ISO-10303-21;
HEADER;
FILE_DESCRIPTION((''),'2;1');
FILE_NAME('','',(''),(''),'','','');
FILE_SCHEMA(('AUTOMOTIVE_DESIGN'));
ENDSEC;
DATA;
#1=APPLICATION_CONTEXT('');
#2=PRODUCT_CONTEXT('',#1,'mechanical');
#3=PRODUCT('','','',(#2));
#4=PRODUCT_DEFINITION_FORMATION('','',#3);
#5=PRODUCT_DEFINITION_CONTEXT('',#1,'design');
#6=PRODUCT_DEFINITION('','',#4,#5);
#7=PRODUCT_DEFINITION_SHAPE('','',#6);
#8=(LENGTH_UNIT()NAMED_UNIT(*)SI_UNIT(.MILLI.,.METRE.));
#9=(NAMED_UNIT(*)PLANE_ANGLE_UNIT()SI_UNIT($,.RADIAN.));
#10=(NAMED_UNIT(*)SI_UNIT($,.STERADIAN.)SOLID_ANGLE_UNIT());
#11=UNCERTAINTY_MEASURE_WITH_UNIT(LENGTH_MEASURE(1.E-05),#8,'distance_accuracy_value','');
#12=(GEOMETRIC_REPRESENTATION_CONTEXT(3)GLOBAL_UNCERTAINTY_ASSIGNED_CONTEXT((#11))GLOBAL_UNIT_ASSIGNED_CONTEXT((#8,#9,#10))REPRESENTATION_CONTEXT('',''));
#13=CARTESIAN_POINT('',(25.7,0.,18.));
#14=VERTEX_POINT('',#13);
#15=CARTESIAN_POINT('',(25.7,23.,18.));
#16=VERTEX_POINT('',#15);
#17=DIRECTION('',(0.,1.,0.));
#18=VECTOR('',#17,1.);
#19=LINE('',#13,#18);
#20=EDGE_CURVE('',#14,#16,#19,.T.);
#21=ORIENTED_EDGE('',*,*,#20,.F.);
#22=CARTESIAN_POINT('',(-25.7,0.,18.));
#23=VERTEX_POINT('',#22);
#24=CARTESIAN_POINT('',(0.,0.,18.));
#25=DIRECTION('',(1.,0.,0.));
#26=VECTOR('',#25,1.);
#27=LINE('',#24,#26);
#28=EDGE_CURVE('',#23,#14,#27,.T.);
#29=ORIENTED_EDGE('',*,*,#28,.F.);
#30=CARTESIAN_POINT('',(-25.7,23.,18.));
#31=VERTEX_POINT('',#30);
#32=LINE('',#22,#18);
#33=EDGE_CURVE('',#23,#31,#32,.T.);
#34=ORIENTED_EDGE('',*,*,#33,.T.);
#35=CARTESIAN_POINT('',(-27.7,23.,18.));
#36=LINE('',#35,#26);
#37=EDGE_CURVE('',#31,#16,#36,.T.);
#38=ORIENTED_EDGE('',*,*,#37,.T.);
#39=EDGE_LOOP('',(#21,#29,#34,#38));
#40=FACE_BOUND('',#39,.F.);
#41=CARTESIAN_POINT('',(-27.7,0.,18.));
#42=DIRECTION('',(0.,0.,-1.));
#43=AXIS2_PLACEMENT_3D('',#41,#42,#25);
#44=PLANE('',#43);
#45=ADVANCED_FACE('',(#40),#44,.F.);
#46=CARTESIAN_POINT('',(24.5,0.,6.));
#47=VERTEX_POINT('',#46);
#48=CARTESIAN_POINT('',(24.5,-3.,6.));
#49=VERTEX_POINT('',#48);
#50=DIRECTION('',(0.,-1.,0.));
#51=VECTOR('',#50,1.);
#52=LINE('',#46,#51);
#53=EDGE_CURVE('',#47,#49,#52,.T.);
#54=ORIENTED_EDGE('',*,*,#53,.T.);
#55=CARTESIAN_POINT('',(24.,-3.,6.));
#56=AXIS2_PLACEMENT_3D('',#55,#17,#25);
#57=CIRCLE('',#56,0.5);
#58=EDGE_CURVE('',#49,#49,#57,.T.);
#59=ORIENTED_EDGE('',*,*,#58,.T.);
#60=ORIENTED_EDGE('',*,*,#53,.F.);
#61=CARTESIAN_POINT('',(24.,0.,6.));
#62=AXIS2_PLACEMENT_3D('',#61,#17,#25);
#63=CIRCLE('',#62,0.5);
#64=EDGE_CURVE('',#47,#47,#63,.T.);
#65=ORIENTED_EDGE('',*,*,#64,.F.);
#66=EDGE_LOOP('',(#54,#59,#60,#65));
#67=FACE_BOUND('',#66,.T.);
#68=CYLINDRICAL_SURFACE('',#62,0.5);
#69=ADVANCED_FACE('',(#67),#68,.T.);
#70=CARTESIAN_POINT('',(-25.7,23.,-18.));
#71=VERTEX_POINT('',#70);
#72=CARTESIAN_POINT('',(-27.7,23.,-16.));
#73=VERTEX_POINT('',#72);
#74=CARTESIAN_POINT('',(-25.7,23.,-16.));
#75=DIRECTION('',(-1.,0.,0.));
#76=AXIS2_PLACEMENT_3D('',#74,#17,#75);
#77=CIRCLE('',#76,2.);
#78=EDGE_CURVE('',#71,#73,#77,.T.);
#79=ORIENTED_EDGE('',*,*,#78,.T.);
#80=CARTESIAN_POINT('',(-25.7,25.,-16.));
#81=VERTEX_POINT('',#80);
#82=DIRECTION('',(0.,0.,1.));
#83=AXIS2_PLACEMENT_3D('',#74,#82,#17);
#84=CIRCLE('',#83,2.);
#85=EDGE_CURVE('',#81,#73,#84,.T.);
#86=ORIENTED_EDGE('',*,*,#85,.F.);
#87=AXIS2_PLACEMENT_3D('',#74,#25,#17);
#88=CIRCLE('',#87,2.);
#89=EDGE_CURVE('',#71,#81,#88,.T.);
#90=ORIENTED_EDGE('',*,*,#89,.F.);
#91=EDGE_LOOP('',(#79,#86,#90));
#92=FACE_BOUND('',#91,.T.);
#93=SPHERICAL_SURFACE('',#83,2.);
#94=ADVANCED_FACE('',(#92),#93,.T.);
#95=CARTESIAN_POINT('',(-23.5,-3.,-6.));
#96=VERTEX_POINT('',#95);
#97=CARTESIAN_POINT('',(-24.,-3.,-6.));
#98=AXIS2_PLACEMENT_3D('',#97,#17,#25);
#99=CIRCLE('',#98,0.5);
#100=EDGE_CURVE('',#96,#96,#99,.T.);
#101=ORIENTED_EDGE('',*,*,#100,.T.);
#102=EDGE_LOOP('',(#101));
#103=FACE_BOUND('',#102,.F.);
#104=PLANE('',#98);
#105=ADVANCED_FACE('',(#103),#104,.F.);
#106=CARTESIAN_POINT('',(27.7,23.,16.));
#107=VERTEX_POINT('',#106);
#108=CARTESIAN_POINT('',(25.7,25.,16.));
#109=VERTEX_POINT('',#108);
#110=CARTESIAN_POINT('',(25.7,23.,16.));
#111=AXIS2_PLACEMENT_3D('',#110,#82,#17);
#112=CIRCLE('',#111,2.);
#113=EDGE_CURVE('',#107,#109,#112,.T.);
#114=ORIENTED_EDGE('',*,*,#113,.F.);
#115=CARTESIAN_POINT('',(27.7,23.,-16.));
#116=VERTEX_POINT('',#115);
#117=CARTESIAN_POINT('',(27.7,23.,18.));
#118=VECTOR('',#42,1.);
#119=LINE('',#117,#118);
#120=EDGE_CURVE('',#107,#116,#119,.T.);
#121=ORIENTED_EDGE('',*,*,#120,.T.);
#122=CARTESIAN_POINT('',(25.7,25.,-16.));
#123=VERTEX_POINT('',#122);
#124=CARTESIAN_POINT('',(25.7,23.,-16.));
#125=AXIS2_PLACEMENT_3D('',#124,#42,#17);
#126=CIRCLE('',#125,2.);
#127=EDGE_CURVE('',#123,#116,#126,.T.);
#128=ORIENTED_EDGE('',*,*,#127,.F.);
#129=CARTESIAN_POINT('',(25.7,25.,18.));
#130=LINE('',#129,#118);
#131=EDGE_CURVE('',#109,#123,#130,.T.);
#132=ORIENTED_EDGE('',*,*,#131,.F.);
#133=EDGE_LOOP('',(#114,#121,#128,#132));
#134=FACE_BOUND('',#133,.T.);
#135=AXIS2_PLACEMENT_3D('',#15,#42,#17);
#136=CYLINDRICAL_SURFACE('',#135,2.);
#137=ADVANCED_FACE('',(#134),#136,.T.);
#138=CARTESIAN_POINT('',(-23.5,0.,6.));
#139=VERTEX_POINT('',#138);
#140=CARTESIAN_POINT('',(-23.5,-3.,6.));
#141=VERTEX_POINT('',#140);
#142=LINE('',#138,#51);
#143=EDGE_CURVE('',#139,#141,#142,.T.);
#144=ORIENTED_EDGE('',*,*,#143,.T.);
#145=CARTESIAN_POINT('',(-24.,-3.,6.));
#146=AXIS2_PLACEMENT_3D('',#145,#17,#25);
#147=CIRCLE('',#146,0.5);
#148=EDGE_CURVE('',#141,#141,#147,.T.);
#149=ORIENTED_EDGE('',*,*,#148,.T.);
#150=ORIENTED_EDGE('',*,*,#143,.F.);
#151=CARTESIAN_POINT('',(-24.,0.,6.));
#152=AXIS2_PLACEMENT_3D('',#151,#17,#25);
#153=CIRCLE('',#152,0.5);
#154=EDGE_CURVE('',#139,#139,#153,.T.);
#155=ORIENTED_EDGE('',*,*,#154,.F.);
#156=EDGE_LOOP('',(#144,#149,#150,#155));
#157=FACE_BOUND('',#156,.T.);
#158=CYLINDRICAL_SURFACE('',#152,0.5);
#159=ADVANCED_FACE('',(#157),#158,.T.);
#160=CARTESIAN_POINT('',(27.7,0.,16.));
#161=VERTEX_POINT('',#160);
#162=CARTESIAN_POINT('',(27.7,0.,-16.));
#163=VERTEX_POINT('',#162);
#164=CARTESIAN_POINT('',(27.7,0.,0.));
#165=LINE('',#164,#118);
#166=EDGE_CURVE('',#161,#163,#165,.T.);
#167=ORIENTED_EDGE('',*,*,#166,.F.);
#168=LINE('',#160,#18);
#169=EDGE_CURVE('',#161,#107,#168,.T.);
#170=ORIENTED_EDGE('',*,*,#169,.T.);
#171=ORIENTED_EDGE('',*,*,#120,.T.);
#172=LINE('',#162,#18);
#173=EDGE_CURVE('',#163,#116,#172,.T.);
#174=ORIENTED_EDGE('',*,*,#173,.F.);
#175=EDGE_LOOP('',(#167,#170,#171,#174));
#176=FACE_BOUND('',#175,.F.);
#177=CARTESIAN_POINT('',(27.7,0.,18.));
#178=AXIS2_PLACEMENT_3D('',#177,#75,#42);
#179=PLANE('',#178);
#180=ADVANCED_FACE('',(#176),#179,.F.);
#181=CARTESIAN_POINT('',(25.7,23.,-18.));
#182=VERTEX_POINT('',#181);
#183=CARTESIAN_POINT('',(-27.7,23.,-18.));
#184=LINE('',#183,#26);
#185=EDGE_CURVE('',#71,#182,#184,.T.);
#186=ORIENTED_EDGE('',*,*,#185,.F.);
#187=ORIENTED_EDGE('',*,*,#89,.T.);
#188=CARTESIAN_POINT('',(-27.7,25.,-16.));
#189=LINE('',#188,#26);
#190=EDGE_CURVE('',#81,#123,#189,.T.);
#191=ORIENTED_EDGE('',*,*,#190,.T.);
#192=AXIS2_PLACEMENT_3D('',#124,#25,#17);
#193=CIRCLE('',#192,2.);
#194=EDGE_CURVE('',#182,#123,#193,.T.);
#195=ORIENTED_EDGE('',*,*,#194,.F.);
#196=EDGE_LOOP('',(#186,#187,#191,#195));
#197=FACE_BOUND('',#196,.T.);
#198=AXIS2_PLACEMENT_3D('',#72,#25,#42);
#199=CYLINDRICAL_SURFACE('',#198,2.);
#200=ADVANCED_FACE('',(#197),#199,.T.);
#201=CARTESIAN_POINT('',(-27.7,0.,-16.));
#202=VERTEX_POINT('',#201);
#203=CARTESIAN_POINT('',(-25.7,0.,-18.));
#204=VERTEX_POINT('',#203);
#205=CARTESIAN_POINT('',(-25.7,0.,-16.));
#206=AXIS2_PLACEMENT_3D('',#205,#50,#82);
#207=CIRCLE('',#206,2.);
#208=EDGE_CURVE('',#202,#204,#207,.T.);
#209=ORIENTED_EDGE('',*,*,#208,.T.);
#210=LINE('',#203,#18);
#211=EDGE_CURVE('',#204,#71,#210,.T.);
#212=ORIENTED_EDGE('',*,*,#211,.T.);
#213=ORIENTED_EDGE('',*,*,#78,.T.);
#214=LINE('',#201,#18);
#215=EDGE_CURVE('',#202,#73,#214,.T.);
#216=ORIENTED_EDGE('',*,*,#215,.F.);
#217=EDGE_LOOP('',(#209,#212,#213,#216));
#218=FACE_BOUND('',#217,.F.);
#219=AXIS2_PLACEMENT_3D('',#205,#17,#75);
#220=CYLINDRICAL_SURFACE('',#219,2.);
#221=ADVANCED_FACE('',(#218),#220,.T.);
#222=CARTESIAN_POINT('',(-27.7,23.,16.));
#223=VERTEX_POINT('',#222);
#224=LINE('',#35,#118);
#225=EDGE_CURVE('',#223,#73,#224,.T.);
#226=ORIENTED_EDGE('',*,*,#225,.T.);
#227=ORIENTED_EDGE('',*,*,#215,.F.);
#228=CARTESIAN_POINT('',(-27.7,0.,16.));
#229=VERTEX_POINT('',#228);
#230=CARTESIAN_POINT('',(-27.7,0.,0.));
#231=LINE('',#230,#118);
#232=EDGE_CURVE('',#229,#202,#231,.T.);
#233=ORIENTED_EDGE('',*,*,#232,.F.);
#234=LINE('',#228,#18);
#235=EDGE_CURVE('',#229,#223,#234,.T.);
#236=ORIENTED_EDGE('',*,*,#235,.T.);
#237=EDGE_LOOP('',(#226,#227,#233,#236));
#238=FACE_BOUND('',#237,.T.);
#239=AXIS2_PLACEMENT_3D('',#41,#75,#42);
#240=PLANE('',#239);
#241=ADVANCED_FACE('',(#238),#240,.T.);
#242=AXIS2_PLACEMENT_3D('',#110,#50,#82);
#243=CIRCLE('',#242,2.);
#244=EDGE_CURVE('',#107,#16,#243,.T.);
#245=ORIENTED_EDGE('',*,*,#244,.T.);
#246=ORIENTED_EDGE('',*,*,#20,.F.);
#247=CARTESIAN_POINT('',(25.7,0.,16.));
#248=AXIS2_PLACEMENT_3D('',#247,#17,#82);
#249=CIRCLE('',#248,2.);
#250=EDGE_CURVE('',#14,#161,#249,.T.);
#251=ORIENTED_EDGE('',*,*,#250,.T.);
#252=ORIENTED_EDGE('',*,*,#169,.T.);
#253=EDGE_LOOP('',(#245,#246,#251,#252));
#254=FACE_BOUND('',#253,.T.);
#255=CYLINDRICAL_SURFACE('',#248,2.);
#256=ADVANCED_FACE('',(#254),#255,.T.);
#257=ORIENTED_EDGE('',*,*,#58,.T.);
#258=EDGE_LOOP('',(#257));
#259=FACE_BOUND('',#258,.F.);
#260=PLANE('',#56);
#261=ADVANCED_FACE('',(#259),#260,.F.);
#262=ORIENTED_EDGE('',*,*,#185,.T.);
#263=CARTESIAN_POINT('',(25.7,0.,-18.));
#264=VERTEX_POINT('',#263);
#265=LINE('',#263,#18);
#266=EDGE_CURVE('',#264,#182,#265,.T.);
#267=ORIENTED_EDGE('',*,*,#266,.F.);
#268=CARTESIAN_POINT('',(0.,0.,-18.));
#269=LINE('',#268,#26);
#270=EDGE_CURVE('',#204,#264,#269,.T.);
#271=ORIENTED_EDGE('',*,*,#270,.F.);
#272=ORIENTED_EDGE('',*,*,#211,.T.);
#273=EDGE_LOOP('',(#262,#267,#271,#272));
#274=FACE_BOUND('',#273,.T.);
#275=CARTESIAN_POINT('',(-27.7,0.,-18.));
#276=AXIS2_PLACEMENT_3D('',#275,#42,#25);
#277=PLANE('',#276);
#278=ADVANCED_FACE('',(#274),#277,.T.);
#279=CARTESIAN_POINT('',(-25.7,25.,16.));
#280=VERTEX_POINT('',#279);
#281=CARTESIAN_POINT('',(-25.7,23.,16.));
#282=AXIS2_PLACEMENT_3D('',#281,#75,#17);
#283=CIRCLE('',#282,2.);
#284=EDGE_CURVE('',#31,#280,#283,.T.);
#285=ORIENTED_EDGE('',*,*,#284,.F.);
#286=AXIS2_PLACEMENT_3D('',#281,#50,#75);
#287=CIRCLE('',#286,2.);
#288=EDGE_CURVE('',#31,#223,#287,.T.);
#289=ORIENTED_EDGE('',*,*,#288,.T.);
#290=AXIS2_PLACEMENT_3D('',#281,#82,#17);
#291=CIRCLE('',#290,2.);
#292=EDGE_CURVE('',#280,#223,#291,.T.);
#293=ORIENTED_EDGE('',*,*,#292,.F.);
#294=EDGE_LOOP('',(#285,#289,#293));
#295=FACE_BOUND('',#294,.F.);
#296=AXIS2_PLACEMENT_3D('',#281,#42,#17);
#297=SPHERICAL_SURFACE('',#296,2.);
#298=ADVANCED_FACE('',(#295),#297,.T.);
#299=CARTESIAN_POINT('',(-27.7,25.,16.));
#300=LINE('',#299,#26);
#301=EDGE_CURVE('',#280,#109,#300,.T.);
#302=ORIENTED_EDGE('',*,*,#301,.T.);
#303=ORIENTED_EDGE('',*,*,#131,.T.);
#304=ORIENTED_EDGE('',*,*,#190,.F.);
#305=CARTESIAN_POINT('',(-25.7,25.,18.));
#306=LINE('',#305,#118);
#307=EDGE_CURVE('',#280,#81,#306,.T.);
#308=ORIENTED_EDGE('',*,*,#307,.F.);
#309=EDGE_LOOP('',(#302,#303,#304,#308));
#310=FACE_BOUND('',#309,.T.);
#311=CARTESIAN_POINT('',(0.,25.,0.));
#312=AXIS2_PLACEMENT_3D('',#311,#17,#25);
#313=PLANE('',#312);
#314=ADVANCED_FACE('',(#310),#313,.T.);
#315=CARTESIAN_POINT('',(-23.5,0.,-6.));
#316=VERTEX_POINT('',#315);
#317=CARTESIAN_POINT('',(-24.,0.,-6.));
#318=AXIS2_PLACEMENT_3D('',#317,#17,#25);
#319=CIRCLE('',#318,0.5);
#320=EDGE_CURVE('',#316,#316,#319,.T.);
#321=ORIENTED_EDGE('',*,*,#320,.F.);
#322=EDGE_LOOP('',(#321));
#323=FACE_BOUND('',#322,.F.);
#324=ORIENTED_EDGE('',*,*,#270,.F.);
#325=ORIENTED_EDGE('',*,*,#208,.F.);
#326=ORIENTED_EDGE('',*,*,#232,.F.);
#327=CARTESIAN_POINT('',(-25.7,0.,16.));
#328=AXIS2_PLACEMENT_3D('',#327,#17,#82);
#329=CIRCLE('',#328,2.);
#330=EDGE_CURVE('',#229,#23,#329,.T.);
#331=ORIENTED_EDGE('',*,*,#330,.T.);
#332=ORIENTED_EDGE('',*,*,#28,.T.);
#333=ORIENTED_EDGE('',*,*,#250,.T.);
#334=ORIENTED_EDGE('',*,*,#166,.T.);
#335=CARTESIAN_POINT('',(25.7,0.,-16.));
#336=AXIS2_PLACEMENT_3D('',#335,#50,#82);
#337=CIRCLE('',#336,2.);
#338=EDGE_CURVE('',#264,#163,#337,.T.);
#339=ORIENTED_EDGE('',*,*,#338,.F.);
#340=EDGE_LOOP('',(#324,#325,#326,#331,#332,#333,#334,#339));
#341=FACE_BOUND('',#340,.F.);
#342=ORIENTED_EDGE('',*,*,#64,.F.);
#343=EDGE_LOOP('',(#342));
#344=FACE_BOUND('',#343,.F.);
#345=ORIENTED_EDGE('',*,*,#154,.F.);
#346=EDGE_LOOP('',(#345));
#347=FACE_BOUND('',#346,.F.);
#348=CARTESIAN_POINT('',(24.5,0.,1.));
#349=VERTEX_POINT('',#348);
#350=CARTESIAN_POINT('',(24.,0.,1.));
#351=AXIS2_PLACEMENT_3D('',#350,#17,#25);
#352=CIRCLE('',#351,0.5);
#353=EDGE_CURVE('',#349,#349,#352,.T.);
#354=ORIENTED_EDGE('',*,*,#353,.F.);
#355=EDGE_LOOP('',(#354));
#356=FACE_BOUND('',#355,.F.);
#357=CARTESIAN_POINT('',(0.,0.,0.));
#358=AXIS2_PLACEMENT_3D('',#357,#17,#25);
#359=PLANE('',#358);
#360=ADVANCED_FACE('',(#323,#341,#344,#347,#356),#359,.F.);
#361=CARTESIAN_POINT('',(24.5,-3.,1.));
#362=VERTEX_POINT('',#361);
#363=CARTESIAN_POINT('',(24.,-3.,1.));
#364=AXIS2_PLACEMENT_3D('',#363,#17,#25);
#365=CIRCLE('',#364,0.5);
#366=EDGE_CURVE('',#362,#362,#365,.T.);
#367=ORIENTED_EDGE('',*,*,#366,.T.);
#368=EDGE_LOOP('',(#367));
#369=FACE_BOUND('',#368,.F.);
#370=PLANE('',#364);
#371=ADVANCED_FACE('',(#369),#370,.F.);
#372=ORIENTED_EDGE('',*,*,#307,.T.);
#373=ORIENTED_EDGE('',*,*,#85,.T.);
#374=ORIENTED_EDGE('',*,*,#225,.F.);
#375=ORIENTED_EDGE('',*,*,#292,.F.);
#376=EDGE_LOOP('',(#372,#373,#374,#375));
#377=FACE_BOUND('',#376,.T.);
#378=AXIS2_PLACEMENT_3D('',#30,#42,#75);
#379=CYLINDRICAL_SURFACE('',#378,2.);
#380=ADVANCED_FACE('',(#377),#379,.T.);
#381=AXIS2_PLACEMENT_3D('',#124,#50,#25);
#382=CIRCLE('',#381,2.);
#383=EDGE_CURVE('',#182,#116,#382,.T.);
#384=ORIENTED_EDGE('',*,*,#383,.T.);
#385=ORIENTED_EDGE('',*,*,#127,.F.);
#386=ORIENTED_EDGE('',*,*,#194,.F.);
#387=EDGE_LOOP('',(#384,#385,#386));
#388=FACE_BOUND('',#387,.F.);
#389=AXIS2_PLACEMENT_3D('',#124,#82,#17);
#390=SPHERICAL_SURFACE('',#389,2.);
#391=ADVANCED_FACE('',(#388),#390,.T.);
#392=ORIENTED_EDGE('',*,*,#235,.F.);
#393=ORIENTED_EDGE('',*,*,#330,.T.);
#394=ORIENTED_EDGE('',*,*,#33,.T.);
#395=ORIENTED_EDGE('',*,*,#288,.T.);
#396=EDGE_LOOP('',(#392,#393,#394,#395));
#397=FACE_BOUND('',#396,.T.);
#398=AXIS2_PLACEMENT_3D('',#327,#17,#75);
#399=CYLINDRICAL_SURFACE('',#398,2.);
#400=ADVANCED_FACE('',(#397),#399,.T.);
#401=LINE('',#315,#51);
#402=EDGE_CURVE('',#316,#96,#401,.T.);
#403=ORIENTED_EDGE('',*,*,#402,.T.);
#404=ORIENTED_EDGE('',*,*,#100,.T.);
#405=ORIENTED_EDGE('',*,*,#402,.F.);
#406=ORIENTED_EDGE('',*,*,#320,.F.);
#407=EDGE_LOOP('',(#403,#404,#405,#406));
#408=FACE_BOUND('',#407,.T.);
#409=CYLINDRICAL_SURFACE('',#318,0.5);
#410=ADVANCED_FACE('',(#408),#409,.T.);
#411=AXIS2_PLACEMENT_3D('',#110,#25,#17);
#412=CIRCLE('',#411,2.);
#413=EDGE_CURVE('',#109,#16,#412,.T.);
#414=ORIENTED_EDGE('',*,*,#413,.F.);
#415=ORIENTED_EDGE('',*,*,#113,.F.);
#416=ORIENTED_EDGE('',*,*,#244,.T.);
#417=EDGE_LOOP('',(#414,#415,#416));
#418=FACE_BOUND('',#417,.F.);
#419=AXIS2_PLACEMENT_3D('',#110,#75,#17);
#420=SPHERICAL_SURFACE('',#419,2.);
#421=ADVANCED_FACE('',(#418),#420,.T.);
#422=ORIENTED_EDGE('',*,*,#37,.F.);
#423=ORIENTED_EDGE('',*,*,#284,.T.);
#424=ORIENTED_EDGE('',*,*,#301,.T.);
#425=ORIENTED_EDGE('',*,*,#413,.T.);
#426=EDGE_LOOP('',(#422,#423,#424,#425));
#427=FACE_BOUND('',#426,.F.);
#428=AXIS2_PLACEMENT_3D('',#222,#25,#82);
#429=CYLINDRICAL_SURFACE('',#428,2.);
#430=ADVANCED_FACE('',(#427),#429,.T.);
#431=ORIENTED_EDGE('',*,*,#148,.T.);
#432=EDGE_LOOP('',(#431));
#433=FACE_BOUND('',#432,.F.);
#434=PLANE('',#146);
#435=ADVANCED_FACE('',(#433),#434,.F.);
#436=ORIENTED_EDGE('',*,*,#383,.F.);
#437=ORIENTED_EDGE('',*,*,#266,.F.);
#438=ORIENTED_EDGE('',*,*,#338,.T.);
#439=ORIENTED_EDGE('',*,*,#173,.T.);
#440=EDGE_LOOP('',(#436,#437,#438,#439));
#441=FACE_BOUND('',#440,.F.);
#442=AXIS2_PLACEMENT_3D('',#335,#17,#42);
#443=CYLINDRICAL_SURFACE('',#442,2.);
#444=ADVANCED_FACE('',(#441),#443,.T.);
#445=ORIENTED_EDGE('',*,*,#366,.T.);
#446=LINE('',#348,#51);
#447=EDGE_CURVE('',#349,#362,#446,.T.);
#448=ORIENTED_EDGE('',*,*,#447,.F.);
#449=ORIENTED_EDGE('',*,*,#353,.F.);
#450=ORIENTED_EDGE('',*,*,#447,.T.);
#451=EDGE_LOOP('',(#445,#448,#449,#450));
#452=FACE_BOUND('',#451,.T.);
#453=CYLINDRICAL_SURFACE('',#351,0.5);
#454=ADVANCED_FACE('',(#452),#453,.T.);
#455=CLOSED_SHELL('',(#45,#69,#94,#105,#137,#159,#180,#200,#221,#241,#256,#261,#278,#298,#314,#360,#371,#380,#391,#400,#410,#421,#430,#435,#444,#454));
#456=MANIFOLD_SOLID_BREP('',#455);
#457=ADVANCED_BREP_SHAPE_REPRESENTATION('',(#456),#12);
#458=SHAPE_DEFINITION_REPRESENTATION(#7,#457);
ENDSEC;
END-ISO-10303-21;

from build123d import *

# Parameters (mm, degrees)
SKETCH1_W           = 55.4
SKETCH1_H           = 36
BOSS_EXTRUDE1_DEPTH = 25
SKETCH2_R           = 0.5
BOSS_EXTRUDE2_DEPTH = 3
FILLET1_R           = 2


with BuildPart() as part:
    # Sketch1 → Boss-Extrude1 (new body)
    with BuildSketch(Plane(origin=(0, 0, 0), x_dir=(1, 0, 0), z_dir=(0, 1, 0))):
        Rectangle(SKETCH1_W, SKETCH1_H)
    extrude(amount=BOSS_EXTRUDE1_DEPTH)

    # Sketch2 → Boss-Extrude2 (add)
    with BuildSketch(Plane(origin=(0, 0, 0), x_dir=(1, 0, 0), z_dir=(0, 1, 0))):
        with Locations((-24, -6)):
            Circle(SKETCH2_R)
        with Locations((24, -6)):
            Circle(SKETCH2_R)
        with Locations((24, -1)):
            Circle(SKETCH2_R)
        with Locations((-24, 6)):
            Circle(SKETCH2_R)
    extrude(amount=-BOSS_EXTRUDE2_DEPTH)

    # Fillet1
    fillet1_edges = [part.edges().sort_by_distance(p)[0] for p in [
        (-27.7, 25, 0),
        (0, 25, 18),
        (27.7, 25, 0),
        (0, 25, -18),
        (27.7, 12.5, 18),
        (-27.7, 12.5, 18),
        (-27.7, 12.5, -18),
        (27.7, 12.5, -18),
    ]]
    fillet(fillet1_edges, radius=FILLET1_R)


solid = part.part
